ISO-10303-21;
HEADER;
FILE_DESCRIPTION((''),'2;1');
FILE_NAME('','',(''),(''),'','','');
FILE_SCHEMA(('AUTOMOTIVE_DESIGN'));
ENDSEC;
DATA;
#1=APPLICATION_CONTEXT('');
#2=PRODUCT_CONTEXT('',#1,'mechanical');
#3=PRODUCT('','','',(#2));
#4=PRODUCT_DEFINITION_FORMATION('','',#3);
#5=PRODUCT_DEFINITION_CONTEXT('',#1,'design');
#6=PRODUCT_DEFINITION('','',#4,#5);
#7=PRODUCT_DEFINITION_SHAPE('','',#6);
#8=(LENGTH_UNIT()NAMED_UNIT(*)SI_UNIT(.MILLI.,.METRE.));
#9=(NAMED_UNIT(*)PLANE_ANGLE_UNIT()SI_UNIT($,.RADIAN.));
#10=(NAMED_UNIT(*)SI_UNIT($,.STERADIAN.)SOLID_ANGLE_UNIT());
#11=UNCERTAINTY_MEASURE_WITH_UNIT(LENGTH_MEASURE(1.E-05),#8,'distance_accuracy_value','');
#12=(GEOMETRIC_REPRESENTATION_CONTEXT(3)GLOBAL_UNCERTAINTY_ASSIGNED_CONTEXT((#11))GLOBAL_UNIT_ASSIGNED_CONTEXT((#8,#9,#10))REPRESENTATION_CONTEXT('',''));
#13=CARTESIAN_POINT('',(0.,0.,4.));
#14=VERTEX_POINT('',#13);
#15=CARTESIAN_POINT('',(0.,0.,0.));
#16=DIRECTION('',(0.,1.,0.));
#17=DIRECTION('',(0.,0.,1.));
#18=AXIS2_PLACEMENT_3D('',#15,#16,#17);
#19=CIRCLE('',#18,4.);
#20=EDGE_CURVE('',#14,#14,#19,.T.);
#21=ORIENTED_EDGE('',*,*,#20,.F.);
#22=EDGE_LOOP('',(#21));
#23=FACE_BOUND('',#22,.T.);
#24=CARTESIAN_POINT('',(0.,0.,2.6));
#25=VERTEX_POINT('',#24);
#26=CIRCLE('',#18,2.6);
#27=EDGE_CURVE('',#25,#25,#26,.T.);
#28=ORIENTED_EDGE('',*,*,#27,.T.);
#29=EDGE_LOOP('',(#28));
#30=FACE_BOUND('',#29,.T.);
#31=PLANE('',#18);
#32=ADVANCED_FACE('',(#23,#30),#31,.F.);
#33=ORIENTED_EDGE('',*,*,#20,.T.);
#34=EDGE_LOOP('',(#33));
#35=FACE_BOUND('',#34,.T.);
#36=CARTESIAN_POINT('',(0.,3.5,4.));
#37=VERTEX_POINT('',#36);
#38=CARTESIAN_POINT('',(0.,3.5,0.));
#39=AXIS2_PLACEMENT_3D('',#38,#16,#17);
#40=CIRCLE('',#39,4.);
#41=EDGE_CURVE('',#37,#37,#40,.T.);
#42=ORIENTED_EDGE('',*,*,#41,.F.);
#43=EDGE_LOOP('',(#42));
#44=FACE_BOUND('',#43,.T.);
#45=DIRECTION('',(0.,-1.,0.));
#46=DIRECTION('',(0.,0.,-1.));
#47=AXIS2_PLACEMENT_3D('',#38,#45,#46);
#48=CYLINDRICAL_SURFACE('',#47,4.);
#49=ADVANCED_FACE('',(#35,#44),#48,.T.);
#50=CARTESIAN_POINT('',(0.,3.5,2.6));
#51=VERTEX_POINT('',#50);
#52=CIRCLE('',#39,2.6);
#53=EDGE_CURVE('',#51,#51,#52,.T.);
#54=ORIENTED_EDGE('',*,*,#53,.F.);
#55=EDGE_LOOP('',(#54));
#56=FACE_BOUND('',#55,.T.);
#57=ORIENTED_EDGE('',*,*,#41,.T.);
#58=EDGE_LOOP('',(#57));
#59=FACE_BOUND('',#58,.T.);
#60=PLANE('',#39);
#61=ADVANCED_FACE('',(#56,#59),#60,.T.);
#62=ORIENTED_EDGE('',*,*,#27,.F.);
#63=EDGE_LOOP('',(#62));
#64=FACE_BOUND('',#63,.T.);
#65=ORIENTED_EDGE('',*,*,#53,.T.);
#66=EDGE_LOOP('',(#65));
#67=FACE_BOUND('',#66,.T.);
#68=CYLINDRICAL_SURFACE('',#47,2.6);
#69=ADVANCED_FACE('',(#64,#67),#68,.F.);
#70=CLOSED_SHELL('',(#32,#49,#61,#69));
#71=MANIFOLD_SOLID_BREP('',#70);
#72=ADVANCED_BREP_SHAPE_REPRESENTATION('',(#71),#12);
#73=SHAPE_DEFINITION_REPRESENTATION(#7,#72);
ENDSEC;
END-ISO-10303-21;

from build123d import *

# Parameters (mm, degrees)
SKETCH_1_R      = 4
SKETCH_1_R_2    = 2.6
EXTRUDE_1_DEPTH = 3.5


with BuildPart() as part:
    # ｽｹｯﾁ1 → ﾎﾞｽ - 押し出し1 (new body)
    with BuildSketch(Plane(origin=(0, 0, 0), x_dir=(1, 0, 0), z_dir=(0, 1, 0))):
        with Locations(Location((0, 0, 0), (0, 0, 270))):
            Circle(SKETCH_1_R)
        with Locations(Location((0, 0, 0), (0, 0, 270))):
            Circle(SKETCH_1_R_2, mode=Mode.SUBTRACT)
    extrude(amount=EXTRUDE_1_DEPTH)


solid = part.part
